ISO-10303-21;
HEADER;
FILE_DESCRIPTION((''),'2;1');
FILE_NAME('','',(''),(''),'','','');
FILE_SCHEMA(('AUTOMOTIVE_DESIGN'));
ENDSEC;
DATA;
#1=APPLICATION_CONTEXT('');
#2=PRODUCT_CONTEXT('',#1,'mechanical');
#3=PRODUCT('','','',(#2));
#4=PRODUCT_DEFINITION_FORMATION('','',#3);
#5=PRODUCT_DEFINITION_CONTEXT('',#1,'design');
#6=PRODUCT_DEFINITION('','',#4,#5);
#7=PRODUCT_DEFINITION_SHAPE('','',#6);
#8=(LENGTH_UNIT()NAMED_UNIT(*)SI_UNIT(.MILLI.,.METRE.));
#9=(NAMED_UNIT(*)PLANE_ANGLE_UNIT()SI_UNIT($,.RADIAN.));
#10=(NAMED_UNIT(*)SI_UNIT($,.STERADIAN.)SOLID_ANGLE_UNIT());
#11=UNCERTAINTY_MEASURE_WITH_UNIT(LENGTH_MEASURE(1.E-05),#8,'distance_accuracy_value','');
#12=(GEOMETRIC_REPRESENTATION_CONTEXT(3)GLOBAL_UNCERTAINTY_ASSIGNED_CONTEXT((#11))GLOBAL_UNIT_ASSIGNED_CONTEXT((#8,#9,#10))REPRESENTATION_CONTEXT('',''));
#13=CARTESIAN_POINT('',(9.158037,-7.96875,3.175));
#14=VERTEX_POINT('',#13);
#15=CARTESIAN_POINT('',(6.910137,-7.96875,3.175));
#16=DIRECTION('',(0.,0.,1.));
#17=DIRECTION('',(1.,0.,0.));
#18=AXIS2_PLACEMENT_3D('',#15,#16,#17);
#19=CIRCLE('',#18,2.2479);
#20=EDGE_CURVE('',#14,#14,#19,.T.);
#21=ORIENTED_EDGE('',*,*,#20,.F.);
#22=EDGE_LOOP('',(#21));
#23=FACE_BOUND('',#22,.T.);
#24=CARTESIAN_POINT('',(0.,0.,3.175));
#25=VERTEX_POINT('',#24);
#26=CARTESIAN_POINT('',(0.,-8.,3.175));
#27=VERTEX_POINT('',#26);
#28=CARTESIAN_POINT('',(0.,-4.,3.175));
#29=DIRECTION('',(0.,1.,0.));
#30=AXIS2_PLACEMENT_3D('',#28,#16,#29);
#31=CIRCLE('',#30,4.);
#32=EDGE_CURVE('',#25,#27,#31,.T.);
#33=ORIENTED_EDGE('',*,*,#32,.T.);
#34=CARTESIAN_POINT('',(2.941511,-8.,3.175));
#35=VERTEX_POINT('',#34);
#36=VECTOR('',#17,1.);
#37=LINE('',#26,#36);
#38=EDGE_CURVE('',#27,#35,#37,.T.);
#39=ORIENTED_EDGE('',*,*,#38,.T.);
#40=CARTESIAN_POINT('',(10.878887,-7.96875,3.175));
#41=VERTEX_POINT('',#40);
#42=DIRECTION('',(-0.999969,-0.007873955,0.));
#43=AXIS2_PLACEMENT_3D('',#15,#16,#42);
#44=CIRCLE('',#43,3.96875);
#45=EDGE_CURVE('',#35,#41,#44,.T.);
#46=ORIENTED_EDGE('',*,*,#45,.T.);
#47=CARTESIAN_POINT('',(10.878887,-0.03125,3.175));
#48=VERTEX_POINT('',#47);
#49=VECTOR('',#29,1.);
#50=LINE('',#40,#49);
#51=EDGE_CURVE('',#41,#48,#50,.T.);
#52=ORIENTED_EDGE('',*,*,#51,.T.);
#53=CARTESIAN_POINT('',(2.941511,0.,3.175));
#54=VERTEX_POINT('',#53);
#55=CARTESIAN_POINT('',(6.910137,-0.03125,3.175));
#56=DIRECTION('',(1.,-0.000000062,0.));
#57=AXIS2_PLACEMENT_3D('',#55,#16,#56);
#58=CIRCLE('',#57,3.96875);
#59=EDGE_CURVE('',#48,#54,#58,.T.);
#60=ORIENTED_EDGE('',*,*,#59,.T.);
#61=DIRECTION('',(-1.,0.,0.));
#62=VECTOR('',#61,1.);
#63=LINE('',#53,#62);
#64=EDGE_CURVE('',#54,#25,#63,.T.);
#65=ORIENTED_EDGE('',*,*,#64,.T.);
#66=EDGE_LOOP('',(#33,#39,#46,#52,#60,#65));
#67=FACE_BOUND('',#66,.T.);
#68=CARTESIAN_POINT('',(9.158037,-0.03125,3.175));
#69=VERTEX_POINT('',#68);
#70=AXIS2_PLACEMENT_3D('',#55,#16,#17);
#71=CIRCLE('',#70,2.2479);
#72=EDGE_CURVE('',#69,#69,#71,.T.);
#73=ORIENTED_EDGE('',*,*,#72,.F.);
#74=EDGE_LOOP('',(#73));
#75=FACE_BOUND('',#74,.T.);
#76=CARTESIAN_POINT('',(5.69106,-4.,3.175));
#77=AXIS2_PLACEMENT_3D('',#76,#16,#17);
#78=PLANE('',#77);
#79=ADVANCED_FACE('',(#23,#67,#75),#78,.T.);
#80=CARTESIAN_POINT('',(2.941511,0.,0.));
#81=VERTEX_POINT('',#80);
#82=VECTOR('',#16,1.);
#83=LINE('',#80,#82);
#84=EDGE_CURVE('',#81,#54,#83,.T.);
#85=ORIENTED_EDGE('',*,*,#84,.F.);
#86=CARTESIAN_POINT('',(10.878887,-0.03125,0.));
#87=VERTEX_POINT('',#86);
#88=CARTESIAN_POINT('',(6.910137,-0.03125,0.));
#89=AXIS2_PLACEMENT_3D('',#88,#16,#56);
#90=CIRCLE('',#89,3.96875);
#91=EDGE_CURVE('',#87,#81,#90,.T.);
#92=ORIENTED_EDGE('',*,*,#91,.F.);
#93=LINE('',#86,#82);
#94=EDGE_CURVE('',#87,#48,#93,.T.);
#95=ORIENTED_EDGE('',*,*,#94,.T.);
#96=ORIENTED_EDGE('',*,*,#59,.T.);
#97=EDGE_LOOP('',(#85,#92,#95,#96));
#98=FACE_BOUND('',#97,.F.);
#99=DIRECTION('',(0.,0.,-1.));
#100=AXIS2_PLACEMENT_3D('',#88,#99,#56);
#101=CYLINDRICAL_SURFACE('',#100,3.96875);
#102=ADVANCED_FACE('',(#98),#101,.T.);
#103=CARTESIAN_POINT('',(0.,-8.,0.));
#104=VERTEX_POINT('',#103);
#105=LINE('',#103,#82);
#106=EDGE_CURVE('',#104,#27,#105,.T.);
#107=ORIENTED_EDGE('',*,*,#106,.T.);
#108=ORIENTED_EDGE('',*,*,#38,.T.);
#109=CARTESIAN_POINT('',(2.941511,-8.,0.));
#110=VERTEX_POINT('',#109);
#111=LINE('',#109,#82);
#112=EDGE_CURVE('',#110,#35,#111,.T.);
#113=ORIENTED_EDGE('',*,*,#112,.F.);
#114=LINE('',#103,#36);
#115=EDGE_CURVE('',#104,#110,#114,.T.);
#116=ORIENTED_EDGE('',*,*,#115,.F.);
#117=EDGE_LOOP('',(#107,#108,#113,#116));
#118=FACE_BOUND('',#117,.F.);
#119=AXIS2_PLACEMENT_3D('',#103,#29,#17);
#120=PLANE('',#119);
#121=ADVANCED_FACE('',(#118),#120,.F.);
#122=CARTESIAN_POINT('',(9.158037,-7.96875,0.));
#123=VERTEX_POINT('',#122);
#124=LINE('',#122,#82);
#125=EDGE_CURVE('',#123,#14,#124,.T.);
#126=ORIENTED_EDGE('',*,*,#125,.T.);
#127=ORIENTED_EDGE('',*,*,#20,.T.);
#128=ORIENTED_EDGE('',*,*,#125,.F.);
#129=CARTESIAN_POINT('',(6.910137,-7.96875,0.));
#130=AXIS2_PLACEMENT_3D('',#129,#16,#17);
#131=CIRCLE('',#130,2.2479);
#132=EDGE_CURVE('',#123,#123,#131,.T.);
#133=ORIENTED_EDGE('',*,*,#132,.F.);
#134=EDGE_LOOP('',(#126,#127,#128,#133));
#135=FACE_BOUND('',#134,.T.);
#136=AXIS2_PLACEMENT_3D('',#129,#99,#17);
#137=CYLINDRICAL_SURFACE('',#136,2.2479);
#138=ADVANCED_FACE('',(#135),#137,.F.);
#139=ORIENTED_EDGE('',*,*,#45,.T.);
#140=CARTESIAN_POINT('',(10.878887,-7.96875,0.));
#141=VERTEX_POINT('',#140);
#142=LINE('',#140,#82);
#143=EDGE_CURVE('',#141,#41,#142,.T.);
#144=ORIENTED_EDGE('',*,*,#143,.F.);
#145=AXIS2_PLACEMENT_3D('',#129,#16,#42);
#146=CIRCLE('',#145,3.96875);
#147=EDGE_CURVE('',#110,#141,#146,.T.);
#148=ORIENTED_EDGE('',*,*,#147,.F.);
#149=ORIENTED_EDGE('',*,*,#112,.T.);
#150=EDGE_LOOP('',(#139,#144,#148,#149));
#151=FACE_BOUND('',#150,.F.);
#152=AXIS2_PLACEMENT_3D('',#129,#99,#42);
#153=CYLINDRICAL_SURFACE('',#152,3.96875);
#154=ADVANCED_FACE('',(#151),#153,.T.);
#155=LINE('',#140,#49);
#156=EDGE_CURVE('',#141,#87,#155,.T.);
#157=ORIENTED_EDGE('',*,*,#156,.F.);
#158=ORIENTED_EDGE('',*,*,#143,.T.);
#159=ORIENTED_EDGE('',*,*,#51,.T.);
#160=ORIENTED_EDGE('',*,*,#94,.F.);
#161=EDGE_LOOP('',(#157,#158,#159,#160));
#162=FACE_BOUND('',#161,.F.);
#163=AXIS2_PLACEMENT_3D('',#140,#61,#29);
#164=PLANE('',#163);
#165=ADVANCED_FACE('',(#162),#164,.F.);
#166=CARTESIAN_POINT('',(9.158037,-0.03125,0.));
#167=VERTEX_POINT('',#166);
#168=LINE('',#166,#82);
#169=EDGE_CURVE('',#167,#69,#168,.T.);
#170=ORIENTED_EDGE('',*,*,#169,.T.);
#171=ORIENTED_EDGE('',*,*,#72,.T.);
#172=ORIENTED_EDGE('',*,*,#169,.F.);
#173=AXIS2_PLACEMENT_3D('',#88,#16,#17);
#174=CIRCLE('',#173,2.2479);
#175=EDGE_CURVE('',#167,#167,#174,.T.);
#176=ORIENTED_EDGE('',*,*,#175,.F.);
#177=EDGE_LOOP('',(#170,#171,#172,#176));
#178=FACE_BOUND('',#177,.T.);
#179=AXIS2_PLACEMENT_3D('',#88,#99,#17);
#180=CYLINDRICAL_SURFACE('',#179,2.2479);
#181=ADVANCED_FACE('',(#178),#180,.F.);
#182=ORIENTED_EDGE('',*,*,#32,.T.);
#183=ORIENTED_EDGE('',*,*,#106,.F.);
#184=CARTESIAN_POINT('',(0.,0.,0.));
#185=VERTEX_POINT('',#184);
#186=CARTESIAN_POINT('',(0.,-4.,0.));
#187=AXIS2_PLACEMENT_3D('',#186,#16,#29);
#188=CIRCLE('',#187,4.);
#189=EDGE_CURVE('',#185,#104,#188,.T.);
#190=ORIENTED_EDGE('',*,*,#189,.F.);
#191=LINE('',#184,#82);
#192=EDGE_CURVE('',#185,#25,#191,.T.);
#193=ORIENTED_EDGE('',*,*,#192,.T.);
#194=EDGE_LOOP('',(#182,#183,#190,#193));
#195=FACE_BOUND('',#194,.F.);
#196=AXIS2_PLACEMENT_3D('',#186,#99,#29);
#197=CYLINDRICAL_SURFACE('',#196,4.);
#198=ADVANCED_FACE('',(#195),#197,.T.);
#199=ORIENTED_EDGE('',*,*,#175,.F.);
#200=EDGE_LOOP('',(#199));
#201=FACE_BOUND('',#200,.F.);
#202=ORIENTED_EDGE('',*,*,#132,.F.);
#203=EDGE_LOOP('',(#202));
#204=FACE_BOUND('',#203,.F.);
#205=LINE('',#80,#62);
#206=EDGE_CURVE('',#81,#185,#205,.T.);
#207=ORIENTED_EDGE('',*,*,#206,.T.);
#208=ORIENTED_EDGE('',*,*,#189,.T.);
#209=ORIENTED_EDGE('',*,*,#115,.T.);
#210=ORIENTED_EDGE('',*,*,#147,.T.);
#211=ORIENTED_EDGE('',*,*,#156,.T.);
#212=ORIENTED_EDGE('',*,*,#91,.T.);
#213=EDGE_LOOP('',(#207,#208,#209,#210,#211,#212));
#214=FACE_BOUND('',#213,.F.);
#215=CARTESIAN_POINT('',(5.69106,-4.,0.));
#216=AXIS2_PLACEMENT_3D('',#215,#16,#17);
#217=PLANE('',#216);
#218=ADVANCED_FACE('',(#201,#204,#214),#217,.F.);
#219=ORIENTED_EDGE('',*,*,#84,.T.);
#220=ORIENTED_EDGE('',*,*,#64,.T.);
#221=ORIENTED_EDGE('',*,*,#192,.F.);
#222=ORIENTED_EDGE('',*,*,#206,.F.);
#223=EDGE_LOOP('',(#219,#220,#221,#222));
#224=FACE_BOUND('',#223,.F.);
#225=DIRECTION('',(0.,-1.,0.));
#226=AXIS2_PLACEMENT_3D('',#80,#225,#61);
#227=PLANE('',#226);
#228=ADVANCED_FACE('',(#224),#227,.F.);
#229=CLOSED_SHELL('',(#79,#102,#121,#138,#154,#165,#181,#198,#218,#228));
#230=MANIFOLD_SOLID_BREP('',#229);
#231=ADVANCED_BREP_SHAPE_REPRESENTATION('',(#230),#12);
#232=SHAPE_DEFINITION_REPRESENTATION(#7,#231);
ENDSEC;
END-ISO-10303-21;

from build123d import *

# Parameters (mm, degrees)
F0_R     = 2.2479
F1_DEPTH = 3.175


with BuildPart() as f1:
    # F0 (on Top) → F1 (new body)
    with BuildSketch(Plane.XY):
        with BuildLine():
            Line((2.941511, 0), (0, 0))
            Line((0, 0), (0, -8))
            Line((0, -8), (2.941511, -8))
            ThreePointArc((2.941511, -8), (6.925763, -11.937469), (10.878887, -7.96875))
            Line((10.878887, -7.96875), (10.878887, -0.03125))
            ThreePointArc((10.878887, -0.03125), (6.925763, 3.937469), (2.941511, 0))
        make_face()
        with Locations((6.910137, -7.96875)):
            Circle(F0_R, mode=Mode.SUBTRACT)
        with Locations((6.910137, -0.03125)):
            Circle(F0_R, mode=Mode.SUBTRACT)
        with BuildLine():
            Line((0, -8), (0, 0))
            ThreePointArc((0, 0), (-4, -4), (0, -8))
        make_face()
    extrude(amount=F1_DEPTH)


solid = f1.part
